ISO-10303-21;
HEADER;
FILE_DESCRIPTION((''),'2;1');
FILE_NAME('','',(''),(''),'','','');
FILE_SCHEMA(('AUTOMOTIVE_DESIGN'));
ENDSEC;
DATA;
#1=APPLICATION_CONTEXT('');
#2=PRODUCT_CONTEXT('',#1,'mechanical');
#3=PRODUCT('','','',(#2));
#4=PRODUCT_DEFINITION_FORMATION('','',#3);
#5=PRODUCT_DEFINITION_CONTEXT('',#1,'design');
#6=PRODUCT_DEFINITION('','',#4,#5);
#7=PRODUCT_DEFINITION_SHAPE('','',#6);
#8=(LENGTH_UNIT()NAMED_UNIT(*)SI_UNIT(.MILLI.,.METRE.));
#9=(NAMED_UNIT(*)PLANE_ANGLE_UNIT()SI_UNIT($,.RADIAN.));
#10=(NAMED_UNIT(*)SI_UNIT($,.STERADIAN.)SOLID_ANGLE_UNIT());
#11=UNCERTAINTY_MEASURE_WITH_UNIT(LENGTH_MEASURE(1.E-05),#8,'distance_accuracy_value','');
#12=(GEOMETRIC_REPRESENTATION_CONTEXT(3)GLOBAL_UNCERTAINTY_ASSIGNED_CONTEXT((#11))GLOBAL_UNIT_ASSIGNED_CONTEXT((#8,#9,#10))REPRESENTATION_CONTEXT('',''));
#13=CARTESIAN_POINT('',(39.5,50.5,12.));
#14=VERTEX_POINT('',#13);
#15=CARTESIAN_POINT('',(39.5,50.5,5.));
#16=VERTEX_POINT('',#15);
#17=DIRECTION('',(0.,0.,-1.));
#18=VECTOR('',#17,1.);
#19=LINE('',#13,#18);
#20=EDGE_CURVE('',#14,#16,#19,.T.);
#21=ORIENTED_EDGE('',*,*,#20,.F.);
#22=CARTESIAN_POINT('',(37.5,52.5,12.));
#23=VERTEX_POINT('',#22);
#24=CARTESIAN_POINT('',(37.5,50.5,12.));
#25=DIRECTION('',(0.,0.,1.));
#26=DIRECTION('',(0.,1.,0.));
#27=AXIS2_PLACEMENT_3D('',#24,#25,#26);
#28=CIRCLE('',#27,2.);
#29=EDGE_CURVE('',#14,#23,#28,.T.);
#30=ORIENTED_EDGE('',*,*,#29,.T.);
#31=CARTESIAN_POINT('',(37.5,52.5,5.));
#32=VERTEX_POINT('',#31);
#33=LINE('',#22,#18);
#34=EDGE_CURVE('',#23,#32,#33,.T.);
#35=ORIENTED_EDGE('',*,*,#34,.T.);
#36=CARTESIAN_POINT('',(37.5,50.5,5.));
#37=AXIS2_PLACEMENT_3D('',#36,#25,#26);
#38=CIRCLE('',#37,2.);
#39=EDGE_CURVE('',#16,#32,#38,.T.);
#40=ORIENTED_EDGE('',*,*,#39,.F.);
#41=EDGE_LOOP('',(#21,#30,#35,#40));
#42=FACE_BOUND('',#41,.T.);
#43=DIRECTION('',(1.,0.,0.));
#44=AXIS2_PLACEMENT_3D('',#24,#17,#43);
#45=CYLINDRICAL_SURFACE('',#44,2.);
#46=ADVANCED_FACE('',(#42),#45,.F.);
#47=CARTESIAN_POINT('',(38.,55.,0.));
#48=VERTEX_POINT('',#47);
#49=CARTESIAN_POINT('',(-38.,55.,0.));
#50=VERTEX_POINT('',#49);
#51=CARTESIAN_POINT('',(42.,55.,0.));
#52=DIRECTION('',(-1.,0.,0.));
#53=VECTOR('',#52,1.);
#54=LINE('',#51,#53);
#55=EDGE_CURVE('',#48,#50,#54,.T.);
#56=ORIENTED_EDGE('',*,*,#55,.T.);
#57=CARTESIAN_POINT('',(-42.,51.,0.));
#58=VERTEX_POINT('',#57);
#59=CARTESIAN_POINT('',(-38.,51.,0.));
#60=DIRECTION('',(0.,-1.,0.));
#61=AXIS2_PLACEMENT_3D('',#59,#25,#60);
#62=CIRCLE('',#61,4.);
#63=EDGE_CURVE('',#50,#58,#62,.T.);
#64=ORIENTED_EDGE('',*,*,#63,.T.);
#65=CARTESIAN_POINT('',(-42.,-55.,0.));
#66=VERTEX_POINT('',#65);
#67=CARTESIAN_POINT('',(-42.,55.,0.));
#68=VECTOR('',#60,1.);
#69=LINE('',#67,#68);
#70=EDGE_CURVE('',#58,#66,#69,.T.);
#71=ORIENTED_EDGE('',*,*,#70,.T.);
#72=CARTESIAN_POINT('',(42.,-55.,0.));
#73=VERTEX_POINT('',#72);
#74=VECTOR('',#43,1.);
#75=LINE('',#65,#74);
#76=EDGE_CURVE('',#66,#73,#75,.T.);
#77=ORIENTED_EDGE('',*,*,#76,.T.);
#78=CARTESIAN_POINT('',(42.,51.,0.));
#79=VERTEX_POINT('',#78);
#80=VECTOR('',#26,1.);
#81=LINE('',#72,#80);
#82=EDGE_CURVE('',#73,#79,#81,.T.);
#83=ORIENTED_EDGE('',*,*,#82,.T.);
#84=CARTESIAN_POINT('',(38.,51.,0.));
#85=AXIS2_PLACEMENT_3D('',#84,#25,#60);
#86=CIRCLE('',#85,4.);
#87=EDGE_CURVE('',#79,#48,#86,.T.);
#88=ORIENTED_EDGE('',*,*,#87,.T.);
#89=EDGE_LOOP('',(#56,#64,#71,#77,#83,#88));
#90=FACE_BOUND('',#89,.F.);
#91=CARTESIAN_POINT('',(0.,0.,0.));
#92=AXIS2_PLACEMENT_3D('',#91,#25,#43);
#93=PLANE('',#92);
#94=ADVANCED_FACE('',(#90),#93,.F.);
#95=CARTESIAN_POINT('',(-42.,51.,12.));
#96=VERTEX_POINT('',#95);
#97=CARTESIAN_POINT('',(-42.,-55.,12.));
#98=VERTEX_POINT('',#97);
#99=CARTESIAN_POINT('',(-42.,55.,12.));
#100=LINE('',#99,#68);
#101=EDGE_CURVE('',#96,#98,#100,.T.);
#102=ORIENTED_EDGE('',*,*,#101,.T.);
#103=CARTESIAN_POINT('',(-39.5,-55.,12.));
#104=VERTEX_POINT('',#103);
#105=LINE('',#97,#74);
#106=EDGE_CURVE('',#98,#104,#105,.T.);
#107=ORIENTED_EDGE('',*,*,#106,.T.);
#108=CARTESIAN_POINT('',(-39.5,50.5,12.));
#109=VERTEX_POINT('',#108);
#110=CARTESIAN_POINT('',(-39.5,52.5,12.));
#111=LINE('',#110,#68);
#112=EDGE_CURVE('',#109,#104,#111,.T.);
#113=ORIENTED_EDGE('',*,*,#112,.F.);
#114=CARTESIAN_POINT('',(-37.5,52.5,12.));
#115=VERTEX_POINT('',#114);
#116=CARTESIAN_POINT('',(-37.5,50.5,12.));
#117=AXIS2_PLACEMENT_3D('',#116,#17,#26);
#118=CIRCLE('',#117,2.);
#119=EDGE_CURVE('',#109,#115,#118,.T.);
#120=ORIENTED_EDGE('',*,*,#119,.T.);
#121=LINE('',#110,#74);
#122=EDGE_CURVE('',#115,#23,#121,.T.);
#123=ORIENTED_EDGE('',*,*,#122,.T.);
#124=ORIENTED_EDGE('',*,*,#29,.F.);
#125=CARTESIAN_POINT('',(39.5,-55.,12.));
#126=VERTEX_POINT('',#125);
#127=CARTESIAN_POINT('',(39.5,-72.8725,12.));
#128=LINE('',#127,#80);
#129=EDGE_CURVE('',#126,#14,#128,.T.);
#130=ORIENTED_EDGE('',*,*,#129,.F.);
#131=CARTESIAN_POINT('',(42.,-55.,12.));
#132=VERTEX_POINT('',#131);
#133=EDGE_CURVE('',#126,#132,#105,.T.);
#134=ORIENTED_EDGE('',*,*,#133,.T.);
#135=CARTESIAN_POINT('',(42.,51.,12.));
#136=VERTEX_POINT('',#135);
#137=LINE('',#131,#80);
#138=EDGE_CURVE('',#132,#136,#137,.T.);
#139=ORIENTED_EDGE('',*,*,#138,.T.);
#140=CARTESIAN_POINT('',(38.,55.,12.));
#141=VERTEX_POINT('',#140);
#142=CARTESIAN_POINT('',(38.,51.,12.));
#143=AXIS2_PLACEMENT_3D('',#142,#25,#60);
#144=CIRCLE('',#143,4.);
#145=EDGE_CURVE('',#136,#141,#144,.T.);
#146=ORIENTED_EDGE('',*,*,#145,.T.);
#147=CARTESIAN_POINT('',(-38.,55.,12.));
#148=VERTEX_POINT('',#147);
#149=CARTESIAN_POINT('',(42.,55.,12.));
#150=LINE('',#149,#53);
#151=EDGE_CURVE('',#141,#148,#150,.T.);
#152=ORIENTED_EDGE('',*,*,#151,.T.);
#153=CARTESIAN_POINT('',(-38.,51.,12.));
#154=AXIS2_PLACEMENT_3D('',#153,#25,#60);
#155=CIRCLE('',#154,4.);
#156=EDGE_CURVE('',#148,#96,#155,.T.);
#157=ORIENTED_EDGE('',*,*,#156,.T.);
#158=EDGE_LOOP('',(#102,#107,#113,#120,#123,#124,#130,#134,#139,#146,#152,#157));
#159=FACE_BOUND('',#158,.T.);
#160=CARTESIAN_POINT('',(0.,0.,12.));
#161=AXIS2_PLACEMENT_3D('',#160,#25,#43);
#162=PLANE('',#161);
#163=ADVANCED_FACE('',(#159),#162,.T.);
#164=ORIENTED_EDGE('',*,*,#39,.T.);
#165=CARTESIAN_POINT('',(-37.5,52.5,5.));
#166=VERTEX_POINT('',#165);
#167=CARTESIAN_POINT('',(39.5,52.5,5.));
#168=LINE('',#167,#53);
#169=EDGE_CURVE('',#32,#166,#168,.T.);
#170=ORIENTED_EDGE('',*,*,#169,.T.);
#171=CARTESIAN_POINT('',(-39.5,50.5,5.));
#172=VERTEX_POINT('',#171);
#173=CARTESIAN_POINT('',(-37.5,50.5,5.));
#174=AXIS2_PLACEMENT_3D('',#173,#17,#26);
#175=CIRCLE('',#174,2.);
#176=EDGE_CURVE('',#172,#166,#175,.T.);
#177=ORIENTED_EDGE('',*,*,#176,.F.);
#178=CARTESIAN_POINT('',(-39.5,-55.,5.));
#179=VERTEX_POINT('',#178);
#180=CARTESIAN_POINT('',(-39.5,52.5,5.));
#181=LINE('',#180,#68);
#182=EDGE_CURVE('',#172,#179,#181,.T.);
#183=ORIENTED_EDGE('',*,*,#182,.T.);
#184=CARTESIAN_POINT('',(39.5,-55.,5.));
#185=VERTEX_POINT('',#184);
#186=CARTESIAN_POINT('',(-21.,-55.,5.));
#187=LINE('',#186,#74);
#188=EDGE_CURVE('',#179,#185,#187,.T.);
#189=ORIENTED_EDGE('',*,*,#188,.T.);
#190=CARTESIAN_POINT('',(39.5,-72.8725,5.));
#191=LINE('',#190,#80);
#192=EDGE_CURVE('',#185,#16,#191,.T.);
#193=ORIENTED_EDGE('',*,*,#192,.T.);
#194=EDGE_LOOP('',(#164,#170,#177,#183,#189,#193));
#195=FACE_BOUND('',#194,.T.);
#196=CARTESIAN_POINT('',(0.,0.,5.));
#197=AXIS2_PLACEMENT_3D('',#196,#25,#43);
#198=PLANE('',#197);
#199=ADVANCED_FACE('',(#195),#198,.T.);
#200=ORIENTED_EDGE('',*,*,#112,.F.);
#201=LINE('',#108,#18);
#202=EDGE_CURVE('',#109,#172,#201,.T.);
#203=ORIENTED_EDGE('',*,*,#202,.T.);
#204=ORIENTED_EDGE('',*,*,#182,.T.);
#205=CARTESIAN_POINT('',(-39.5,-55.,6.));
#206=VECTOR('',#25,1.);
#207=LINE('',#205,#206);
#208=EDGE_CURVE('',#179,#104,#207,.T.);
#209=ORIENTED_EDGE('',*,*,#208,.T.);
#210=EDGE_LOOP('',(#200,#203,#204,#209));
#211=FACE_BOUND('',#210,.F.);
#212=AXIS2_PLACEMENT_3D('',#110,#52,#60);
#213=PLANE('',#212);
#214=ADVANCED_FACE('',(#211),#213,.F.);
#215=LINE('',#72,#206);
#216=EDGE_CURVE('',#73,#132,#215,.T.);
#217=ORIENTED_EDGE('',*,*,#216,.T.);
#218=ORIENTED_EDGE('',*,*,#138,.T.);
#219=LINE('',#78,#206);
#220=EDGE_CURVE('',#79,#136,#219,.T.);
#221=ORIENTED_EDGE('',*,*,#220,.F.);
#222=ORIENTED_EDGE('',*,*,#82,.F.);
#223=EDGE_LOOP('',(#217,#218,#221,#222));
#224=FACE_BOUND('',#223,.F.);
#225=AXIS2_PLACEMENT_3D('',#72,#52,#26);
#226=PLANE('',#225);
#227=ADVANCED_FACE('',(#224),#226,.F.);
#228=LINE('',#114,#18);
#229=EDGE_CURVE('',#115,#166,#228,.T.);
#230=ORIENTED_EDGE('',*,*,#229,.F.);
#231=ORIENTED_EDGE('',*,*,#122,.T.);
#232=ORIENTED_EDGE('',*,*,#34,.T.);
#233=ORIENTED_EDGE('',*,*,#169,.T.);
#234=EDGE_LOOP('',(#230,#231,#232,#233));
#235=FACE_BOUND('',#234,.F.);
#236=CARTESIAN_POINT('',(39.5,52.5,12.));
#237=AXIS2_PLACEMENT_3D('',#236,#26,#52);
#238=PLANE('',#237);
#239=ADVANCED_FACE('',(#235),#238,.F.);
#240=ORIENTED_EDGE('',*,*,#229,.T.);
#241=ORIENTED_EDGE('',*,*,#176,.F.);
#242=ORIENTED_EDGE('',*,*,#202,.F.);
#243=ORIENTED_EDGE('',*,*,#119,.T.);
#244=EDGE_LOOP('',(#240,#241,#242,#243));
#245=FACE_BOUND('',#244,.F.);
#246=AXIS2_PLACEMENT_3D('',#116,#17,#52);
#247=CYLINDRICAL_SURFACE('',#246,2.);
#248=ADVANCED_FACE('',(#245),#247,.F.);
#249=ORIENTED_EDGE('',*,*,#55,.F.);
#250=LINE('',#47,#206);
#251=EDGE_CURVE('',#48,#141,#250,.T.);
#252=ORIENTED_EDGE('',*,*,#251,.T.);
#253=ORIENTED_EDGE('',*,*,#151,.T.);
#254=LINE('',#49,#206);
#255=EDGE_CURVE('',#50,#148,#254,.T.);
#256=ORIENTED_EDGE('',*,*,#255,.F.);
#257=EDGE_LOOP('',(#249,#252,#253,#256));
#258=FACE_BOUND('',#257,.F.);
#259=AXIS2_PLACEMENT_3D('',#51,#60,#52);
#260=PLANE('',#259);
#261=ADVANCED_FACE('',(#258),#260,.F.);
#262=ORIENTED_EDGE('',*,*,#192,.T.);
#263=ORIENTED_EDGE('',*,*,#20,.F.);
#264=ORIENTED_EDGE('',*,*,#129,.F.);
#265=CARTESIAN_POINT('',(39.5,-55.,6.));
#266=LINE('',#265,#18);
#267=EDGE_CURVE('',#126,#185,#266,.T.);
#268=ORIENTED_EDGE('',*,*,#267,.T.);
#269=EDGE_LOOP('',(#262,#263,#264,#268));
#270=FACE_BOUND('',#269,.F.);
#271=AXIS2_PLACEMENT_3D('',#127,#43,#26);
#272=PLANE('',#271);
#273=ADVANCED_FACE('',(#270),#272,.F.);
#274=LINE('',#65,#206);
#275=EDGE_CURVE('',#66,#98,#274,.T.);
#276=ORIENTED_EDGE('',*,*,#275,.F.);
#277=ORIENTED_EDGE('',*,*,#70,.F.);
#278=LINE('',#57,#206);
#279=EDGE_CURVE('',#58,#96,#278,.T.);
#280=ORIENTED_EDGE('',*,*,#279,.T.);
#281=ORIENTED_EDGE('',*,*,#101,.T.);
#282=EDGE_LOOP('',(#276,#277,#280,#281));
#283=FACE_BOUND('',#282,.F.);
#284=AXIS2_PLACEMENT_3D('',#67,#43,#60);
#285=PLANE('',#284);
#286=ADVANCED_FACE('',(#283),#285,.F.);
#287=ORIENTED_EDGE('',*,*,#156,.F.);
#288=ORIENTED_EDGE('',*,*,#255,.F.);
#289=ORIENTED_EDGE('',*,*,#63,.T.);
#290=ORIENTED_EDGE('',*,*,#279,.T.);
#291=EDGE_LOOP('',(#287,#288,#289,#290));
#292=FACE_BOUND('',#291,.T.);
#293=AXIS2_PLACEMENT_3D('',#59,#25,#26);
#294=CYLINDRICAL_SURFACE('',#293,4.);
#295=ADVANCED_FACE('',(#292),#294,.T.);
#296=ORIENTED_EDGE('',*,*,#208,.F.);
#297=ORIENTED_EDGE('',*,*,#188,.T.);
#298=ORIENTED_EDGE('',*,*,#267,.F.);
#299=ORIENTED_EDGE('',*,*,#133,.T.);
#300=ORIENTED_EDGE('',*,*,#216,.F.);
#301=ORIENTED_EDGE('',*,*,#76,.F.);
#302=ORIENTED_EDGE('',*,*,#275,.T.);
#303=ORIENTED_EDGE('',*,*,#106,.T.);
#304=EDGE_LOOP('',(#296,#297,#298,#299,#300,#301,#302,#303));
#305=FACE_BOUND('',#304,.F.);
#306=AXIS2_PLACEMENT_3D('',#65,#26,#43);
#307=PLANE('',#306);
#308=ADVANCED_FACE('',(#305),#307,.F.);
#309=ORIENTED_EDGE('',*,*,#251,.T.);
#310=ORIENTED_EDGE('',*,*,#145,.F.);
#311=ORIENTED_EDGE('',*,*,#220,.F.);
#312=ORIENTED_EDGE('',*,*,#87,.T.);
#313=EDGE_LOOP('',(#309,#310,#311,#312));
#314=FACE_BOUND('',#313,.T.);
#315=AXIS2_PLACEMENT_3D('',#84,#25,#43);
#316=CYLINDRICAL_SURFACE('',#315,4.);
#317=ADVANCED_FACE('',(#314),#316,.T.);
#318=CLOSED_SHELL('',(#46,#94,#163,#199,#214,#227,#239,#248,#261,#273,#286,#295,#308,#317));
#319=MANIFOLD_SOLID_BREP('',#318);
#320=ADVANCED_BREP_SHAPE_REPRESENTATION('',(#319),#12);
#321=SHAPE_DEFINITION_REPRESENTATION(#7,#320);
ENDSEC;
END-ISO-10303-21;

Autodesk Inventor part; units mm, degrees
ref_plane "YZ Plane" through (0, 0, 0) normal (1, 0, 0) x (0, 1, 0)
ref_plane "XZ Plane" through (0, 0, 0) normal (0, 1, 0) x (-1, 0, 0)
ref_plane "XY Plane" through (0, 0, 0) normal (0, 0, 1) x (1, 0, 0)
sketch "Sketch1" plane through (0, 0, 0) normal (0, 0, 1) x (1, 0, 0)
  line L0 (-42, -55) -> (42, -55)
  line L1 (42, -55) -> (42, 55)
  line L2 (42, 55) -> (-42, 55)
  line L3 (-42, 55) -> (-42, -55)
  line L4 (-42, -55) -> (42, 55) construction
  line L5 (42, -55) -> (-42, 55) construction
  point P0 (0, 0)
  dimension "d0" = 110
  dimension "d1" = 84
extrude "Extrusion1" add sketch "Sketch1" along normal blind 12
sketch "Sketch2" plane through (0, 0, 12) normal (0, 0, 1) x (1, 0, 0)
  line L0 (0, 80.5745) -> (0, -98.447) projected
  line L1 (-39.5, 52.5) -> (-39.5, -72.8725)
  line L2 (-39.5, -72.8725) -> (39.5, -72.8725)
  line L3 (39.5, -72.8725) -> (39.5, 52.5)
  line L4 (39.5, 52.5) -> (-39.5, 52.5)
  line L5 (-39.5, 52.5) -> (39.5, -72.8725) construction
  line L6 (-39.5, -72.8725) -> (39.5, 52.5) construction
  line L7 (-42, 55) -> (-42, -55) projected
  line L8 (42, 55) -> (-42, 55) projected
  point P0 (0, 0)
  point P1 (0, -10.1862)
  dimension "d4" = 2.5
  dimension "d5" = 2.5
extrude "Extrusion2" cut sketch "Sketch2" against normal blind 7
fillet "Fillet2" radius 2 2 edges at (-39.5, 52.5, 8.5) (39.5, 52.5, 8.5)
fillet "Fillet3" radius 4 2 edges at (-42, 55, 6) (42, 55, 6)
sketch "Sketch4" plane through (0, 0, 5) normal (0, 0, 1) x (1, 0, 0)
  circle A0 centre (-23, -45) radius 5
  line L0 (39.5, -55) -> (-39.5, -55) projected
  line L1 (0, 77) -> (0, -77) projected
  point P0 (0, 0)
  dimension "d19" = 10
  dimension "d26" = 23
  dimension "d32" = 10
sketch "Sketch5" plane through (0, 0, 0) normal (1, 0, 0) x (0, 1, 0)
  line L0 (55, 0) -> (55, 12) projected
  line L1 (55, 7.5) -> (47.2058, 12)
  line L2 (-55, 12) -> (55, 12) projected
  line L3 (-55, 0) -> (55, 0) projected
  line L4 (55, 7.5) -> (55, 12)
  line L5 (47.2058, 12) -> (55, 12)
  point P0 (0, 0)
  dimension "d28" = 7.5
  dimension "d29" = 60
sketch "Sketch3" plane through (0, 0, 0) normal (0, 0, -1) x (-1, 0, 0)
  line L0 (-42, -55) -> (-42, 55) projected
  line L1 (-42, -45) -> (42, -45) construction
  line L2 (42, 55) -> (42, -55) projected
  line L3 (42, -55) -> (-42, -55) projected
  point P0 (0, 0)
  point P1 (0, -45)
  point P2 (-23, -45)
  point P3 (23, -45)
  dimension "d8" = 10
  dimension "d10" = 23
  dimension "d11" = 46
sketch "Sketch7" plane through (0, 0, 5) normal (0, 0, 1) x (1, 0, 0)
  line L0 (-42, 55) -> (-42, -55) projected
  line L1 (-42, 55) -> (-32, 55)
  line L2 (-32, 55) -> (-32, 45)
  line L3 (-32, 45) -> (-42, 45)
  line L4 (-42, 45) -> (-42, 55)
  point P0 (0, 0)
  dimension "d37" = 10
  dimension "d38" = 10
sketch "Sketch8" plane through (0, 0, 5) normal (0, 0, 1) x (1, 0, 0)
  line L0 (-42, 55) -> (-32, 55) projected
  line L1 (-42, 45) -> (-42, 55) projected
  line L2 (-42, 55) -> (-42, -55) projected
  line L3 (-37, 46) -> (-42, 46)
  line L4 (-42, 46) -> (-42, 51)
  line L5 (-42, 51) -> (-37, 51)
  line L6 (-37, 51) -> (-37, 46)
  line L7 (-37, 46) -> (-42, 51) construction
  line L8 (-42, 46) -> (-37, 51) construction
  line L9 (-37, 48.5) -> (-39.5, 48.5) construction
  circle A0 centre (-37, 48.5) radius 2.5
  point P0 (0, 0)
  dimension "d41" = 6.5
  dimension "d42" = 5
  dimension "d43" = 5
properties part number "plate"
